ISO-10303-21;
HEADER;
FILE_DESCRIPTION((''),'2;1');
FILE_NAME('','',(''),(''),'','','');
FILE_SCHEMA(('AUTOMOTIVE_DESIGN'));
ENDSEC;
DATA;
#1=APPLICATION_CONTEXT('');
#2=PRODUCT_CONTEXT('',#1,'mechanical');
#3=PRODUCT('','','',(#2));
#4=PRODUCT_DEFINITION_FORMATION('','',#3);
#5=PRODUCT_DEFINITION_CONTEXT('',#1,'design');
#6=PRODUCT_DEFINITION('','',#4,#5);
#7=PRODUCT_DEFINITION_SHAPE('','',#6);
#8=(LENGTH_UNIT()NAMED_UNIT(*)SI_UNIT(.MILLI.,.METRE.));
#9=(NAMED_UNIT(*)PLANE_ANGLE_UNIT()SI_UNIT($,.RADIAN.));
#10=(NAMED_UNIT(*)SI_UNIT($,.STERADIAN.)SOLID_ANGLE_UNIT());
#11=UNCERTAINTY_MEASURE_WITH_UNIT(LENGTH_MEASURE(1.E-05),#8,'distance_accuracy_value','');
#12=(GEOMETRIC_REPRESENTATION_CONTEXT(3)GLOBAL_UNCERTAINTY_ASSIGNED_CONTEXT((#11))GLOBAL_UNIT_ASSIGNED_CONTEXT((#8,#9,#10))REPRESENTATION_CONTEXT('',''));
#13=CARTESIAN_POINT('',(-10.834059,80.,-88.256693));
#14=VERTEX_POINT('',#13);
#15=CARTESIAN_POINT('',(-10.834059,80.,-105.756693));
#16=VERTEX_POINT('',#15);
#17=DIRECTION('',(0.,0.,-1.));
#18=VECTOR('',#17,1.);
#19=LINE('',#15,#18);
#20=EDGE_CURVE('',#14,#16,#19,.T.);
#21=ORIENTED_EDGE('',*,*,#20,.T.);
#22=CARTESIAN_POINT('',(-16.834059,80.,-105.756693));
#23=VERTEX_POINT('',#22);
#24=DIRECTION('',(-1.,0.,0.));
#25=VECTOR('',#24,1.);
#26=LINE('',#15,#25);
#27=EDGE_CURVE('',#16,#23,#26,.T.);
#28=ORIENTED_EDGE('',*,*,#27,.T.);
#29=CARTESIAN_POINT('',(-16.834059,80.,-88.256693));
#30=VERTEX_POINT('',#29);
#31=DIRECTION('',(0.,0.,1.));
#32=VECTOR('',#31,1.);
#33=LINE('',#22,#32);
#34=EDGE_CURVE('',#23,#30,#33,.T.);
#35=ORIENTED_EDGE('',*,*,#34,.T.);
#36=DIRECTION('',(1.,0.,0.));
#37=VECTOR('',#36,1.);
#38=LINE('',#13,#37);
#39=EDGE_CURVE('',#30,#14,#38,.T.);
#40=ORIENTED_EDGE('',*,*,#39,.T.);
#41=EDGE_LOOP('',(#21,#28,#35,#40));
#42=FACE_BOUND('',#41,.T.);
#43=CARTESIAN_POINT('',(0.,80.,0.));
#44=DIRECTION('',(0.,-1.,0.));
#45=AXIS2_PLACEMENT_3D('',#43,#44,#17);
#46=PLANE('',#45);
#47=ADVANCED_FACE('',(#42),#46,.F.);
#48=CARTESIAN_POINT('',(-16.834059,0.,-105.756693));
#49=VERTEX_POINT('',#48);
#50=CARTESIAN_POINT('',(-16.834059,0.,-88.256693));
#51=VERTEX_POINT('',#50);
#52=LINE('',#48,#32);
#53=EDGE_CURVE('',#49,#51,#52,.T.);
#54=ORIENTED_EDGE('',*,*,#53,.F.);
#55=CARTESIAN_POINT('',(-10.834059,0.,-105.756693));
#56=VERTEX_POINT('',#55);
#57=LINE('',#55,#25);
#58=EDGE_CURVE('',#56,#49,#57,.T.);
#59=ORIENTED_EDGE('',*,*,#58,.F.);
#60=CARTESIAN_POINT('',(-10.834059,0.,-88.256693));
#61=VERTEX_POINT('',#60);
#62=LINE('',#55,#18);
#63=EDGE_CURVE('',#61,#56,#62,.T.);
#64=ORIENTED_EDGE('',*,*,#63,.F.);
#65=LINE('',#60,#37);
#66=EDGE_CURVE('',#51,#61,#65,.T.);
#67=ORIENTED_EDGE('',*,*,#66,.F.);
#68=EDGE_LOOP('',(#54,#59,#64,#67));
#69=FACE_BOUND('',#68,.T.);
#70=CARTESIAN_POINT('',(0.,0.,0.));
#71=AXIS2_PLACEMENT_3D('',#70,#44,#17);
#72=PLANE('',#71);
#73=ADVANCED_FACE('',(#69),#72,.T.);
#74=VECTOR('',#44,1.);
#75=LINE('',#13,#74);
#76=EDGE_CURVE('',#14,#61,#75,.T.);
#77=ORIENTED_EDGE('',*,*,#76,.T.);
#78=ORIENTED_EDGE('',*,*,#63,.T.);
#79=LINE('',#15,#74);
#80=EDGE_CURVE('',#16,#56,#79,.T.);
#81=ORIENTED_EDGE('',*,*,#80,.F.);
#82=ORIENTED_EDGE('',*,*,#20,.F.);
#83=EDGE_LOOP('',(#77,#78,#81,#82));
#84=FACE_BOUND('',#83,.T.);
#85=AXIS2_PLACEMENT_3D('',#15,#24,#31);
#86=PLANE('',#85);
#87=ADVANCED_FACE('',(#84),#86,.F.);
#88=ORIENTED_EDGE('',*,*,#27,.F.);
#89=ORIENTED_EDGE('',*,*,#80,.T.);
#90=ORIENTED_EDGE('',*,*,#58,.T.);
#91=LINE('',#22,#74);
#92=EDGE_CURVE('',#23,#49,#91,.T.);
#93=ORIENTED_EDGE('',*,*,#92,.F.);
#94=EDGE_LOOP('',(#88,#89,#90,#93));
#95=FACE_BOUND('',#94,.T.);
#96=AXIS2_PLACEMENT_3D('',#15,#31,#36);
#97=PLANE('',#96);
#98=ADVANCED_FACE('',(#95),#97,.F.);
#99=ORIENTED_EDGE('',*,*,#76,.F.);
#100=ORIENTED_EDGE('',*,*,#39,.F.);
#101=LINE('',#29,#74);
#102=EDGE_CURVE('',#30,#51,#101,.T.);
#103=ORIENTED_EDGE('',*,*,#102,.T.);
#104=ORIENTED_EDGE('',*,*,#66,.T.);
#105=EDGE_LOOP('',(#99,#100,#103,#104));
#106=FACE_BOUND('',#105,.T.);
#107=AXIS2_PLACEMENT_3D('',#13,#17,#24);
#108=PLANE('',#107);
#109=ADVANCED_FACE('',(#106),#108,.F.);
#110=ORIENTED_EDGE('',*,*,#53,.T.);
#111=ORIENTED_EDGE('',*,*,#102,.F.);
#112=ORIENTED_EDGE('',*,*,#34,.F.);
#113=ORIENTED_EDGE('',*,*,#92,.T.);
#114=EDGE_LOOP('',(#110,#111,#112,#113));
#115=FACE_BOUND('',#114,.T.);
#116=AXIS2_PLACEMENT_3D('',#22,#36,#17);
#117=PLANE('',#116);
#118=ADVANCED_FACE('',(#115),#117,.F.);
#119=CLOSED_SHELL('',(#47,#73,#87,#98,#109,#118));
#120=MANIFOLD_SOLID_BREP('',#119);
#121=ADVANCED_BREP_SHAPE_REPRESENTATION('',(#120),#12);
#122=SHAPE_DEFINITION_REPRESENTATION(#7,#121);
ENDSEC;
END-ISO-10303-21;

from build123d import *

# Parameters (mm, degrees)
PROFILE_SKETCH_W      = 6
PROFILE_SKETCH_H      = 17.5
PROFILE_EXTRUDE_DEPTH = 80


with BuildPart() as part:
    # Profile Sketch → Profile Extrude (new body)
    with BuildSketch(Plane(origin=(-13.83405858, 0, -105.75669297), x_dir=(-1, 0, 0), z_dir=(0, 1, 0))):
        with Locations((0, 8.75)):
            Rectangle(PROFILE_SKETCH_W, PROFILE_SKETCH_H)
    extrude(amount=PROFILE_EXTRUDE_DEPTH)


solid = part.part
